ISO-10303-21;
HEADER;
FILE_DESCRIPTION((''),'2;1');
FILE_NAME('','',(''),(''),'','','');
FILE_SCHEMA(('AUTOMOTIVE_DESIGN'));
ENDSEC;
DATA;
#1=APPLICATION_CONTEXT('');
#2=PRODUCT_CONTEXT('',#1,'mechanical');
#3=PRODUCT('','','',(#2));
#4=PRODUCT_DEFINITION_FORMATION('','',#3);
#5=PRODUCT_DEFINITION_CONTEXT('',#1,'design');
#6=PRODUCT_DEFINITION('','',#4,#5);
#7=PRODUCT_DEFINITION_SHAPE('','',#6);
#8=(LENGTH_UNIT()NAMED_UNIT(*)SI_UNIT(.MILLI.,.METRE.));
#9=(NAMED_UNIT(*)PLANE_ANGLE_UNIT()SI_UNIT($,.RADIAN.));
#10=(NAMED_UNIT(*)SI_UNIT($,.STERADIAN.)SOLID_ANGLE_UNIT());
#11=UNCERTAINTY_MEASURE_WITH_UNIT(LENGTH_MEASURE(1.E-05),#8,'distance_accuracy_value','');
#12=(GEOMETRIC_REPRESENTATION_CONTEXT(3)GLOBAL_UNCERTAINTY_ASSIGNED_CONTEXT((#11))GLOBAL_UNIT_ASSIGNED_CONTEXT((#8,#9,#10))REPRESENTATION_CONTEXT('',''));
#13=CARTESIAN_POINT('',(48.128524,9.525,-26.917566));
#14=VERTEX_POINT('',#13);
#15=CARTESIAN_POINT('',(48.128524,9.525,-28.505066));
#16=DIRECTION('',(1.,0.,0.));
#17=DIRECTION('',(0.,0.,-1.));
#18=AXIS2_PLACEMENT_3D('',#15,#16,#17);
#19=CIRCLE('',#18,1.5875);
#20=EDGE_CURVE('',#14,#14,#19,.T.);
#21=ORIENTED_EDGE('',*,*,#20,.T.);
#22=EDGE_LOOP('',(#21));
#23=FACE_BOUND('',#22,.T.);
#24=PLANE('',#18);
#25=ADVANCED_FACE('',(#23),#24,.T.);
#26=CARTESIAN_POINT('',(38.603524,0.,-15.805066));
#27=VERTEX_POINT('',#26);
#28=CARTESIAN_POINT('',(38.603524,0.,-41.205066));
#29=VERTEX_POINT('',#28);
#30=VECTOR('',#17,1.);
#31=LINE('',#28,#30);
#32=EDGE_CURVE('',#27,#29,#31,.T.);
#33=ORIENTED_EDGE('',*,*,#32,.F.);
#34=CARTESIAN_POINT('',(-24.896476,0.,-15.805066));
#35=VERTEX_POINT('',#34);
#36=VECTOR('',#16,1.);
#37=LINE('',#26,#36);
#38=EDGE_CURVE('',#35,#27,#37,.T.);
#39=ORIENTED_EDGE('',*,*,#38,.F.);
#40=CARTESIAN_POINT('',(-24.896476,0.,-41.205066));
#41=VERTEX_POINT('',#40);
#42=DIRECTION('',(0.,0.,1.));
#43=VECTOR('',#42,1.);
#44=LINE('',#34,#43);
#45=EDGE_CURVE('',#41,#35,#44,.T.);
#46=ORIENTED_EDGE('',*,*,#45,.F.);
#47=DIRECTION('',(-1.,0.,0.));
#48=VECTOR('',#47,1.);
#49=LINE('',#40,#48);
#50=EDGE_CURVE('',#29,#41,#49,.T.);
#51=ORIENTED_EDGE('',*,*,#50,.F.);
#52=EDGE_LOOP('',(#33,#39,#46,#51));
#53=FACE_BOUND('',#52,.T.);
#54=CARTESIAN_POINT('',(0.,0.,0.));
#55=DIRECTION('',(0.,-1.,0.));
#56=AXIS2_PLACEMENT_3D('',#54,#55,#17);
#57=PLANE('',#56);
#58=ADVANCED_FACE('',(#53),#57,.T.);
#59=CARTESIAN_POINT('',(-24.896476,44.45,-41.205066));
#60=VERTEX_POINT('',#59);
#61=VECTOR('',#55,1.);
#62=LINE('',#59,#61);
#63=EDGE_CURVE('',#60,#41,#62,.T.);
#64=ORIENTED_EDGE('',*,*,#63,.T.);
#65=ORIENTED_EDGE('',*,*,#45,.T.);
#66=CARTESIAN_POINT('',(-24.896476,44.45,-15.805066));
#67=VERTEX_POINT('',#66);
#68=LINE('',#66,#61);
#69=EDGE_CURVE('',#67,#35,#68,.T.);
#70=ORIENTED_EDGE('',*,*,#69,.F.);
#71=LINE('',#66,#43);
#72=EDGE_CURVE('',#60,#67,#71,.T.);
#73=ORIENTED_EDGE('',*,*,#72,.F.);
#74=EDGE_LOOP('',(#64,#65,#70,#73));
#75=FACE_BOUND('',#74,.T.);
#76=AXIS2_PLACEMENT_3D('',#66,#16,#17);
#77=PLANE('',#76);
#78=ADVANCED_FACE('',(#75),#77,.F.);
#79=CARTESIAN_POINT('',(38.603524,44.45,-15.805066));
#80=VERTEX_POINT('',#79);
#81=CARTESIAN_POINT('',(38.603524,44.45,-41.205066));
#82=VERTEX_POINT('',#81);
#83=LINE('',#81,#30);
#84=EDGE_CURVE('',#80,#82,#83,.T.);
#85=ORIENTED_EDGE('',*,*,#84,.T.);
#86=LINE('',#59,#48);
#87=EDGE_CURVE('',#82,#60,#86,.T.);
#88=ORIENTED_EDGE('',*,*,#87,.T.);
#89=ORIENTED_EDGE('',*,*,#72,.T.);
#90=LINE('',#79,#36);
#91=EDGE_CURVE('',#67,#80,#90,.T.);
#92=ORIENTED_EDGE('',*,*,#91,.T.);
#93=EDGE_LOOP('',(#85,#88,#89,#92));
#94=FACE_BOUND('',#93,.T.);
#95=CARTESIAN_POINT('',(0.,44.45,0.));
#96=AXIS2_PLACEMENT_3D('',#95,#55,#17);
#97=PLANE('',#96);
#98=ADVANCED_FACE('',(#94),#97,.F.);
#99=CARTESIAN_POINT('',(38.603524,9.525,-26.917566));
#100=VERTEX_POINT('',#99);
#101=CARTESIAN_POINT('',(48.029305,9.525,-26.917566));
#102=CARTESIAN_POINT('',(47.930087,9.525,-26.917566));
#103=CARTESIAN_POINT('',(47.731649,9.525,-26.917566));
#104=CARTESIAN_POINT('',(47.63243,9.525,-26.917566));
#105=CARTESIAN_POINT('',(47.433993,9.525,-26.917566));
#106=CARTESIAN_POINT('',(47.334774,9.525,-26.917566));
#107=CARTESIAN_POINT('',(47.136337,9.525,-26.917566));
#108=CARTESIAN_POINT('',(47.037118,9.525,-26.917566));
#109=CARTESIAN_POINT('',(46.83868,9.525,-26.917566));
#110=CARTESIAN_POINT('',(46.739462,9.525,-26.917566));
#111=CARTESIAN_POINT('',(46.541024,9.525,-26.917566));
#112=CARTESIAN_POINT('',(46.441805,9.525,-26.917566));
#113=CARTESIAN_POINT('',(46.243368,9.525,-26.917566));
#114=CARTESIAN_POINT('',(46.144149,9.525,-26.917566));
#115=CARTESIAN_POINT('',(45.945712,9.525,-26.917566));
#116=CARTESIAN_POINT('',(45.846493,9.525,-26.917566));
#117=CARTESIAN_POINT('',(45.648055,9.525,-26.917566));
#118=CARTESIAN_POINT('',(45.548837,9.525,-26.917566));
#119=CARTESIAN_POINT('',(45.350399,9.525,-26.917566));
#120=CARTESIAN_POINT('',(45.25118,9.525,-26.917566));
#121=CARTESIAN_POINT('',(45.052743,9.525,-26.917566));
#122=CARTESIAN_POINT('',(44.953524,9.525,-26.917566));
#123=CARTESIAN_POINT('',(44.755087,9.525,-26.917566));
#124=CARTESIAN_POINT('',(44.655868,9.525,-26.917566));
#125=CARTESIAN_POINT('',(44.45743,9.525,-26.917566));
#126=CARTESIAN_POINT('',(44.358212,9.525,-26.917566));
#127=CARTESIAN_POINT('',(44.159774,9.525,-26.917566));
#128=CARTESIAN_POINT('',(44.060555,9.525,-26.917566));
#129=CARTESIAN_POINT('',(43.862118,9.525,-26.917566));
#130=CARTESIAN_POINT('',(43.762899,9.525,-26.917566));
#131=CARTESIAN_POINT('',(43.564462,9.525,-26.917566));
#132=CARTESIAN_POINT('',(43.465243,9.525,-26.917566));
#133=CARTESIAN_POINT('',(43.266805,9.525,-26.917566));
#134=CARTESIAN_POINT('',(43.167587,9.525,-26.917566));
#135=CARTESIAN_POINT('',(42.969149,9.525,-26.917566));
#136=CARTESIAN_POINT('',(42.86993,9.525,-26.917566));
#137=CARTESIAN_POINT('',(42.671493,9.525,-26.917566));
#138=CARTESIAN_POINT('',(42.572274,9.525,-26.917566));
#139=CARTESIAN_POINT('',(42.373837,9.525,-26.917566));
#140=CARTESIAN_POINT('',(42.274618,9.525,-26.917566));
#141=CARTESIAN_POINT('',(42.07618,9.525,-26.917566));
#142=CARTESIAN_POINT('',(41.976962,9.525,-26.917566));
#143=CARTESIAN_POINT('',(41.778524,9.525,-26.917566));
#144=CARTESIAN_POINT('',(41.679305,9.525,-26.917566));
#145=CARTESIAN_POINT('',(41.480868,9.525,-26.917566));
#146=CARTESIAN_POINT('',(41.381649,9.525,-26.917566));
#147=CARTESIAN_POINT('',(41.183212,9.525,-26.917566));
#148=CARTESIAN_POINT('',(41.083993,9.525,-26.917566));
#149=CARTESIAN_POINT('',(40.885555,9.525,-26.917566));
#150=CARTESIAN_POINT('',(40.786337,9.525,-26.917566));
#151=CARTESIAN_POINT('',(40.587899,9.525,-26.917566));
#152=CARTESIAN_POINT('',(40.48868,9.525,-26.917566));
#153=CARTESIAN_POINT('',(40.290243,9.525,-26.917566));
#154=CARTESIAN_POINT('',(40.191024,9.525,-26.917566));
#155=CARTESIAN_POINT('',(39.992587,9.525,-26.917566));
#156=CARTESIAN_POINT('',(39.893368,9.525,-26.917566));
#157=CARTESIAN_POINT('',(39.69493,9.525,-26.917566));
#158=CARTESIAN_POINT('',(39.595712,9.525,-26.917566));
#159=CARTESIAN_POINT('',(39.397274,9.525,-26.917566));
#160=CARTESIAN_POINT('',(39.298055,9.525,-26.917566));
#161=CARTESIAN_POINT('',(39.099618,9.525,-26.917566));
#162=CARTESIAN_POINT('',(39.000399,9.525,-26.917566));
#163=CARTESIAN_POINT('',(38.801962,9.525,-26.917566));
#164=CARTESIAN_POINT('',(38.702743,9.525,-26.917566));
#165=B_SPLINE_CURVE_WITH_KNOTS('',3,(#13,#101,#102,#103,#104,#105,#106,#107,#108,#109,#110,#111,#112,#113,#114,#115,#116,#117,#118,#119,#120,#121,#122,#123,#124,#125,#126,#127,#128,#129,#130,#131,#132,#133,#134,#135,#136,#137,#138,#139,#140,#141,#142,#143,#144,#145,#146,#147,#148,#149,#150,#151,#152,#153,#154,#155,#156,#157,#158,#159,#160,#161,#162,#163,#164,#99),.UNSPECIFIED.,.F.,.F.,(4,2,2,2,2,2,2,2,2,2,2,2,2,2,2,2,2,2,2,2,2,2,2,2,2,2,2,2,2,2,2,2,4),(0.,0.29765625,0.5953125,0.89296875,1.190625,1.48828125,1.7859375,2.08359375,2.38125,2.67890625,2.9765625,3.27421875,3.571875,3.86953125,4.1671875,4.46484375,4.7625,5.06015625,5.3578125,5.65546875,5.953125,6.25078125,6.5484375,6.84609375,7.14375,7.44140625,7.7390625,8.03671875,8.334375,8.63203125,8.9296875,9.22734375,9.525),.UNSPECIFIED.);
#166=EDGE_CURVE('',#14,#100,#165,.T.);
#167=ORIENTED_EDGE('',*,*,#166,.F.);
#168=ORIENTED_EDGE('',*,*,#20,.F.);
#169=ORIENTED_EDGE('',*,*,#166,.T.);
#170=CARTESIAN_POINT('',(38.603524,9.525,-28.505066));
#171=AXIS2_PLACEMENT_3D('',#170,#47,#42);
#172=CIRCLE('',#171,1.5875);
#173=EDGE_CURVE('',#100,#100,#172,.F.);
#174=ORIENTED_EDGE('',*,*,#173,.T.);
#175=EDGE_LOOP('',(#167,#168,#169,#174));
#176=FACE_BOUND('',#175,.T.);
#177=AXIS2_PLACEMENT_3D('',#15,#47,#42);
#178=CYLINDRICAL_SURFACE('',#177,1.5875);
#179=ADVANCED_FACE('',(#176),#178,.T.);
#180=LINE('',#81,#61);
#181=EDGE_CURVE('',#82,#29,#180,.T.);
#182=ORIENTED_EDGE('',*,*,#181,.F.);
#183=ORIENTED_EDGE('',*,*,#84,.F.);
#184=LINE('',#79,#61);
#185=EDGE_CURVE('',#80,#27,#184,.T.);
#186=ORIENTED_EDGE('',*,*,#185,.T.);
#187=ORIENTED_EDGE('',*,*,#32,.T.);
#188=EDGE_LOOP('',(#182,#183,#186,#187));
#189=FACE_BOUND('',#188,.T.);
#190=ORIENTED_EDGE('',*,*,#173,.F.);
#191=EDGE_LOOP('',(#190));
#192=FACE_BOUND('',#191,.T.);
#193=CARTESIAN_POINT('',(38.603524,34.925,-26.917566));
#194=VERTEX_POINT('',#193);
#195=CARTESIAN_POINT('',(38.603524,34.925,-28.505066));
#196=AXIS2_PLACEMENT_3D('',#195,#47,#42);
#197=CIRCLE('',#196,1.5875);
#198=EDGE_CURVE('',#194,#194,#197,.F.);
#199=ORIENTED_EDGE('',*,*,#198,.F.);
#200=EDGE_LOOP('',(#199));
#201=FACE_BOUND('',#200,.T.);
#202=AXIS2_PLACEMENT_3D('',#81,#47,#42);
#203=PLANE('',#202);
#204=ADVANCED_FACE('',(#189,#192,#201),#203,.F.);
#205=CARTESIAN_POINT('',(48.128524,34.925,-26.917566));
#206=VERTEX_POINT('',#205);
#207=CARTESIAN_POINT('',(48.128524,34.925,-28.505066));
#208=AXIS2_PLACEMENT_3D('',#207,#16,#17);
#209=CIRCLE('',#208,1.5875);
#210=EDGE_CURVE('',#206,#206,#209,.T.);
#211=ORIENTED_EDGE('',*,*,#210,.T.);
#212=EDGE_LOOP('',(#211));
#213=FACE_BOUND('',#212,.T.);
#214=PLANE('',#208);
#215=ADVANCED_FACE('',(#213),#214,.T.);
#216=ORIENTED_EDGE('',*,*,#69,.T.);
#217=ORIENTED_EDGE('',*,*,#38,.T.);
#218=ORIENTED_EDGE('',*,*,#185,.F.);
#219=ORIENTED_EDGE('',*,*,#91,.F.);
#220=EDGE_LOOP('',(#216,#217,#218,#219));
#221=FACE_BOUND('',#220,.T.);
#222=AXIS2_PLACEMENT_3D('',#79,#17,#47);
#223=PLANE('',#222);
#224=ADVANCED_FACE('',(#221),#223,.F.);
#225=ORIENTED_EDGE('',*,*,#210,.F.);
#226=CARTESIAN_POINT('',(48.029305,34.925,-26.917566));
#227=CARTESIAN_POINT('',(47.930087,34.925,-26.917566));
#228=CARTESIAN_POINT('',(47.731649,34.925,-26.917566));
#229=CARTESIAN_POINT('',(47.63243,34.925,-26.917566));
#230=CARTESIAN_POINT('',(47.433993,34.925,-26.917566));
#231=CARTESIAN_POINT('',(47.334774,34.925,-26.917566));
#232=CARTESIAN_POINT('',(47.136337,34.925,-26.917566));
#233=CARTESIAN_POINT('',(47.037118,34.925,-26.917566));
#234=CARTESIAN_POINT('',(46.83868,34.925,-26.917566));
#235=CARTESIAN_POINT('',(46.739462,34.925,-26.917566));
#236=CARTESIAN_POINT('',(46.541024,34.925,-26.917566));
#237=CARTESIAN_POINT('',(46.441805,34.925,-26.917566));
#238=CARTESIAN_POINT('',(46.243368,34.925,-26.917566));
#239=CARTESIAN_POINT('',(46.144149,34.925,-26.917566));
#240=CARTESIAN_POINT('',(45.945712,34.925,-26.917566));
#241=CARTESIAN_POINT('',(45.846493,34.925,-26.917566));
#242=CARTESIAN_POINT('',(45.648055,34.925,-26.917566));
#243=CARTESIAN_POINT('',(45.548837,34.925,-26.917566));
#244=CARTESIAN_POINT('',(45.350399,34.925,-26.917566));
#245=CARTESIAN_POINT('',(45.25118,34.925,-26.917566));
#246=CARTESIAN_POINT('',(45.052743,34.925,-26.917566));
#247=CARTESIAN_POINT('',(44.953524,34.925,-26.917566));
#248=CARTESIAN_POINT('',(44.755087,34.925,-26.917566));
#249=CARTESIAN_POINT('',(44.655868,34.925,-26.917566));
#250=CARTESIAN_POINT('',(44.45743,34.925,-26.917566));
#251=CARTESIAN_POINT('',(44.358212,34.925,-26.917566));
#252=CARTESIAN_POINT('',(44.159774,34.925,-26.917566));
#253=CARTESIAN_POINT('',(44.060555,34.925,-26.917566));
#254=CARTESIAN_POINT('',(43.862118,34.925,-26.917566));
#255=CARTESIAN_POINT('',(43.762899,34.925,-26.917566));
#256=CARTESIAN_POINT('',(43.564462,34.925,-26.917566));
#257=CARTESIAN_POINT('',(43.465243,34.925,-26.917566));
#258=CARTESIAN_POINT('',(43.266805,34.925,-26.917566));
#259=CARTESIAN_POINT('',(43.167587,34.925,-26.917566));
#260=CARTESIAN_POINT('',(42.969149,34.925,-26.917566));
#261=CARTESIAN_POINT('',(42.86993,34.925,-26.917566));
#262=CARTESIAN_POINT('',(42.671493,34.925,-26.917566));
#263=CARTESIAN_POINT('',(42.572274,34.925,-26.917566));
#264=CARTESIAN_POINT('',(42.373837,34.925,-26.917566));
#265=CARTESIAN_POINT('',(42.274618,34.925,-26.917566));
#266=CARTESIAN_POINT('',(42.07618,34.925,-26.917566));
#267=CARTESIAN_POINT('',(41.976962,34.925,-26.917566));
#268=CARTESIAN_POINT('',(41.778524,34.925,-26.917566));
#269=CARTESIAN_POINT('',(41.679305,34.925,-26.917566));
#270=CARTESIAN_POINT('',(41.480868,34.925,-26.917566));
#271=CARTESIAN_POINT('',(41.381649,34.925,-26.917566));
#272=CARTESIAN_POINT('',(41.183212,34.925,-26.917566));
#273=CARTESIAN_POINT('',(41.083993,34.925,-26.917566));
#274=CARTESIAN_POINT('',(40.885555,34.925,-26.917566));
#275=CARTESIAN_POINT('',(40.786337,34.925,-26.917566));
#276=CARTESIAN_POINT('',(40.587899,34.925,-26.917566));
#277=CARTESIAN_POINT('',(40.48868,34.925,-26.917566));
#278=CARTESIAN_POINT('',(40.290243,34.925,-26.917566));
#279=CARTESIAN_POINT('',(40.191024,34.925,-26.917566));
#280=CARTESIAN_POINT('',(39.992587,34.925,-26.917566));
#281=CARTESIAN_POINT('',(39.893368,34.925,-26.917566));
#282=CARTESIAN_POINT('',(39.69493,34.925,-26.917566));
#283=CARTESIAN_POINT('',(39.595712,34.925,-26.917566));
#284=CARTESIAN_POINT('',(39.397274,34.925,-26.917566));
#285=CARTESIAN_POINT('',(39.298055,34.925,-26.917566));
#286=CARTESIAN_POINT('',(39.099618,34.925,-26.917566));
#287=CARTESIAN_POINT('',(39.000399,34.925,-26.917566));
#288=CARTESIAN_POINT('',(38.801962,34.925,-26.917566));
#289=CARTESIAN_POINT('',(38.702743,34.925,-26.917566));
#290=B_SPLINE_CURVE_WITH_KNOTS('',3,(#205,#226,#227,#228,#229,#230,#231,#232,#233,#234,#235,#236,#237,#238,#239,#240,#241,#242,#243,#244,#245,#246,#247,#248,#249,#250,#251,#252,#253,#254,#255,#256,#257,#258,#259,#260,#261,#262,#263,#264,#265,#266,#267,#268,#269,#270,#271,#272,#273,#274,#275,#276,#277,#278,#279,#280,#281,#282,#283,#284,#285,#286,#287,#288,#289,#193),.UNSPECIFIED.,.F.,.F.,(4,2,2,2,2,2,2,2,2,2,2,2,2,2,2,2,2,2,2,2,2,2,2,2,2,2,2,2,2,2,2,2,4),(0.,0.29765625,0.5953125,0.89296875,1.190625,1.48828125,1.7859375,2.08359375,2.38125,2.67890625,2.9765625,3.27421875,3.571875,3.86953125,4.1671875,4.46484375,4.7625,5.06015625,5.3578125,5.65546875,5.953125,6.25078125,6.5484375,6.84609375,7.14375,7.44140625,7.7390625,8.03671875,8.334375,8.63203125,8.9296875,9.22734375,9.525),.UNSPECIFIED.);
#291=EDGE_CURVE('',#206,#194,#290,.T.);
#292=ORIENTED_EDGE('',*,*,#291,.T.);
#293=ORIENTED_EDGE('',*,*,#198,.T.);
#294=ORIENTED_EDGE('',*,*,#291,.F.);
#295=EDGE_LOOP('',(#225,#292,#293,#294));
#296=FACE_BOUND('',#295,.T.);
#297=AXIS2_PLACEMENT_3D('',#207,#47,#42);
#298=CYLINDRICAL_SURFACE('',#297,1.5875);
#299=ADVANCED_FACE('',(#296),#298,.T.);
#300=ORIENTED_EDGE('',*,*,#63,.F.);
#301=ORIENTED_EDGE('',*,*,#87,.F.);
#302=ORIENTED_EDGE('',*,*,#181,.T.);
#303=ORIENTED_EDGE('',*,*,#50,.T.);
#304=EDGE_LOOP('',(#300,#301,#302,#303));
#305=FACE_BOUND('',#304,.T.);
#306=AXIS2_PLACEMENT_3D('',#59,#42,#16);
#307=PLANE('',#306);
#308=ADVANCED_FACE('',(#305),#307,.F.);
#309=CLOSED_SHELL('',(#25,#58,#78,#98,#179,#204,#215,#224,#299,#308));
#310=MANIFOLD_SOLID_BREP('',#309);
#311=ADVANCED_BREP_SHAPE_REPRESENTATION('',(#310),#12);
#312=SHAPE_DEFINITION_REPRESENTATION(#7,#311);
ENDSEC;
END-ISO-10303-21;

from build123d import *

# Parameters (mm, degrees)
SKETCH1_W           = 63.5
SKETCH1_H           = 25.4
BOSS_EXTRUDE1_DEPTH = 44.45
SKETCH2_R           = 1.5875
BOSS_EXTRUDE2_DEPTH = 9.525


with BuildPart() as part:
    # Sketch1 → Boss-Extrude1 (new body)
    with BuildSketch(Plane(origin=(0, 0, 0), x_dir=(1, 0, 0), z_dir=(0, 1, 0))):
        with Locations((6.853524229, 28.505066079)):
            Rectangle(SKETCH1_W, SKETCH1_H)
    extrude(amount=BOSS_EXTRUDE1_DEPTH)

    # Sketch2 → Boss-Extrude2 (add)
    with BuildSketch(Plane(origin=(38.603524229, 0, 0), x_dir=(0, 0, -1), z_dir=(1, 0, 0))):
        with Locations(Location((28.505066079, 34.925, 0), (0, 0, 180))):
            Circle(SKETCH2_R)
        with Locations(Location((28.505066079, 9.525, 0), (0, 0, 180))):
            Circle(SKETCH2_R)
    extrude(amount=BOSS_EXTRUDE2_DEPTH)


solid = part.part
